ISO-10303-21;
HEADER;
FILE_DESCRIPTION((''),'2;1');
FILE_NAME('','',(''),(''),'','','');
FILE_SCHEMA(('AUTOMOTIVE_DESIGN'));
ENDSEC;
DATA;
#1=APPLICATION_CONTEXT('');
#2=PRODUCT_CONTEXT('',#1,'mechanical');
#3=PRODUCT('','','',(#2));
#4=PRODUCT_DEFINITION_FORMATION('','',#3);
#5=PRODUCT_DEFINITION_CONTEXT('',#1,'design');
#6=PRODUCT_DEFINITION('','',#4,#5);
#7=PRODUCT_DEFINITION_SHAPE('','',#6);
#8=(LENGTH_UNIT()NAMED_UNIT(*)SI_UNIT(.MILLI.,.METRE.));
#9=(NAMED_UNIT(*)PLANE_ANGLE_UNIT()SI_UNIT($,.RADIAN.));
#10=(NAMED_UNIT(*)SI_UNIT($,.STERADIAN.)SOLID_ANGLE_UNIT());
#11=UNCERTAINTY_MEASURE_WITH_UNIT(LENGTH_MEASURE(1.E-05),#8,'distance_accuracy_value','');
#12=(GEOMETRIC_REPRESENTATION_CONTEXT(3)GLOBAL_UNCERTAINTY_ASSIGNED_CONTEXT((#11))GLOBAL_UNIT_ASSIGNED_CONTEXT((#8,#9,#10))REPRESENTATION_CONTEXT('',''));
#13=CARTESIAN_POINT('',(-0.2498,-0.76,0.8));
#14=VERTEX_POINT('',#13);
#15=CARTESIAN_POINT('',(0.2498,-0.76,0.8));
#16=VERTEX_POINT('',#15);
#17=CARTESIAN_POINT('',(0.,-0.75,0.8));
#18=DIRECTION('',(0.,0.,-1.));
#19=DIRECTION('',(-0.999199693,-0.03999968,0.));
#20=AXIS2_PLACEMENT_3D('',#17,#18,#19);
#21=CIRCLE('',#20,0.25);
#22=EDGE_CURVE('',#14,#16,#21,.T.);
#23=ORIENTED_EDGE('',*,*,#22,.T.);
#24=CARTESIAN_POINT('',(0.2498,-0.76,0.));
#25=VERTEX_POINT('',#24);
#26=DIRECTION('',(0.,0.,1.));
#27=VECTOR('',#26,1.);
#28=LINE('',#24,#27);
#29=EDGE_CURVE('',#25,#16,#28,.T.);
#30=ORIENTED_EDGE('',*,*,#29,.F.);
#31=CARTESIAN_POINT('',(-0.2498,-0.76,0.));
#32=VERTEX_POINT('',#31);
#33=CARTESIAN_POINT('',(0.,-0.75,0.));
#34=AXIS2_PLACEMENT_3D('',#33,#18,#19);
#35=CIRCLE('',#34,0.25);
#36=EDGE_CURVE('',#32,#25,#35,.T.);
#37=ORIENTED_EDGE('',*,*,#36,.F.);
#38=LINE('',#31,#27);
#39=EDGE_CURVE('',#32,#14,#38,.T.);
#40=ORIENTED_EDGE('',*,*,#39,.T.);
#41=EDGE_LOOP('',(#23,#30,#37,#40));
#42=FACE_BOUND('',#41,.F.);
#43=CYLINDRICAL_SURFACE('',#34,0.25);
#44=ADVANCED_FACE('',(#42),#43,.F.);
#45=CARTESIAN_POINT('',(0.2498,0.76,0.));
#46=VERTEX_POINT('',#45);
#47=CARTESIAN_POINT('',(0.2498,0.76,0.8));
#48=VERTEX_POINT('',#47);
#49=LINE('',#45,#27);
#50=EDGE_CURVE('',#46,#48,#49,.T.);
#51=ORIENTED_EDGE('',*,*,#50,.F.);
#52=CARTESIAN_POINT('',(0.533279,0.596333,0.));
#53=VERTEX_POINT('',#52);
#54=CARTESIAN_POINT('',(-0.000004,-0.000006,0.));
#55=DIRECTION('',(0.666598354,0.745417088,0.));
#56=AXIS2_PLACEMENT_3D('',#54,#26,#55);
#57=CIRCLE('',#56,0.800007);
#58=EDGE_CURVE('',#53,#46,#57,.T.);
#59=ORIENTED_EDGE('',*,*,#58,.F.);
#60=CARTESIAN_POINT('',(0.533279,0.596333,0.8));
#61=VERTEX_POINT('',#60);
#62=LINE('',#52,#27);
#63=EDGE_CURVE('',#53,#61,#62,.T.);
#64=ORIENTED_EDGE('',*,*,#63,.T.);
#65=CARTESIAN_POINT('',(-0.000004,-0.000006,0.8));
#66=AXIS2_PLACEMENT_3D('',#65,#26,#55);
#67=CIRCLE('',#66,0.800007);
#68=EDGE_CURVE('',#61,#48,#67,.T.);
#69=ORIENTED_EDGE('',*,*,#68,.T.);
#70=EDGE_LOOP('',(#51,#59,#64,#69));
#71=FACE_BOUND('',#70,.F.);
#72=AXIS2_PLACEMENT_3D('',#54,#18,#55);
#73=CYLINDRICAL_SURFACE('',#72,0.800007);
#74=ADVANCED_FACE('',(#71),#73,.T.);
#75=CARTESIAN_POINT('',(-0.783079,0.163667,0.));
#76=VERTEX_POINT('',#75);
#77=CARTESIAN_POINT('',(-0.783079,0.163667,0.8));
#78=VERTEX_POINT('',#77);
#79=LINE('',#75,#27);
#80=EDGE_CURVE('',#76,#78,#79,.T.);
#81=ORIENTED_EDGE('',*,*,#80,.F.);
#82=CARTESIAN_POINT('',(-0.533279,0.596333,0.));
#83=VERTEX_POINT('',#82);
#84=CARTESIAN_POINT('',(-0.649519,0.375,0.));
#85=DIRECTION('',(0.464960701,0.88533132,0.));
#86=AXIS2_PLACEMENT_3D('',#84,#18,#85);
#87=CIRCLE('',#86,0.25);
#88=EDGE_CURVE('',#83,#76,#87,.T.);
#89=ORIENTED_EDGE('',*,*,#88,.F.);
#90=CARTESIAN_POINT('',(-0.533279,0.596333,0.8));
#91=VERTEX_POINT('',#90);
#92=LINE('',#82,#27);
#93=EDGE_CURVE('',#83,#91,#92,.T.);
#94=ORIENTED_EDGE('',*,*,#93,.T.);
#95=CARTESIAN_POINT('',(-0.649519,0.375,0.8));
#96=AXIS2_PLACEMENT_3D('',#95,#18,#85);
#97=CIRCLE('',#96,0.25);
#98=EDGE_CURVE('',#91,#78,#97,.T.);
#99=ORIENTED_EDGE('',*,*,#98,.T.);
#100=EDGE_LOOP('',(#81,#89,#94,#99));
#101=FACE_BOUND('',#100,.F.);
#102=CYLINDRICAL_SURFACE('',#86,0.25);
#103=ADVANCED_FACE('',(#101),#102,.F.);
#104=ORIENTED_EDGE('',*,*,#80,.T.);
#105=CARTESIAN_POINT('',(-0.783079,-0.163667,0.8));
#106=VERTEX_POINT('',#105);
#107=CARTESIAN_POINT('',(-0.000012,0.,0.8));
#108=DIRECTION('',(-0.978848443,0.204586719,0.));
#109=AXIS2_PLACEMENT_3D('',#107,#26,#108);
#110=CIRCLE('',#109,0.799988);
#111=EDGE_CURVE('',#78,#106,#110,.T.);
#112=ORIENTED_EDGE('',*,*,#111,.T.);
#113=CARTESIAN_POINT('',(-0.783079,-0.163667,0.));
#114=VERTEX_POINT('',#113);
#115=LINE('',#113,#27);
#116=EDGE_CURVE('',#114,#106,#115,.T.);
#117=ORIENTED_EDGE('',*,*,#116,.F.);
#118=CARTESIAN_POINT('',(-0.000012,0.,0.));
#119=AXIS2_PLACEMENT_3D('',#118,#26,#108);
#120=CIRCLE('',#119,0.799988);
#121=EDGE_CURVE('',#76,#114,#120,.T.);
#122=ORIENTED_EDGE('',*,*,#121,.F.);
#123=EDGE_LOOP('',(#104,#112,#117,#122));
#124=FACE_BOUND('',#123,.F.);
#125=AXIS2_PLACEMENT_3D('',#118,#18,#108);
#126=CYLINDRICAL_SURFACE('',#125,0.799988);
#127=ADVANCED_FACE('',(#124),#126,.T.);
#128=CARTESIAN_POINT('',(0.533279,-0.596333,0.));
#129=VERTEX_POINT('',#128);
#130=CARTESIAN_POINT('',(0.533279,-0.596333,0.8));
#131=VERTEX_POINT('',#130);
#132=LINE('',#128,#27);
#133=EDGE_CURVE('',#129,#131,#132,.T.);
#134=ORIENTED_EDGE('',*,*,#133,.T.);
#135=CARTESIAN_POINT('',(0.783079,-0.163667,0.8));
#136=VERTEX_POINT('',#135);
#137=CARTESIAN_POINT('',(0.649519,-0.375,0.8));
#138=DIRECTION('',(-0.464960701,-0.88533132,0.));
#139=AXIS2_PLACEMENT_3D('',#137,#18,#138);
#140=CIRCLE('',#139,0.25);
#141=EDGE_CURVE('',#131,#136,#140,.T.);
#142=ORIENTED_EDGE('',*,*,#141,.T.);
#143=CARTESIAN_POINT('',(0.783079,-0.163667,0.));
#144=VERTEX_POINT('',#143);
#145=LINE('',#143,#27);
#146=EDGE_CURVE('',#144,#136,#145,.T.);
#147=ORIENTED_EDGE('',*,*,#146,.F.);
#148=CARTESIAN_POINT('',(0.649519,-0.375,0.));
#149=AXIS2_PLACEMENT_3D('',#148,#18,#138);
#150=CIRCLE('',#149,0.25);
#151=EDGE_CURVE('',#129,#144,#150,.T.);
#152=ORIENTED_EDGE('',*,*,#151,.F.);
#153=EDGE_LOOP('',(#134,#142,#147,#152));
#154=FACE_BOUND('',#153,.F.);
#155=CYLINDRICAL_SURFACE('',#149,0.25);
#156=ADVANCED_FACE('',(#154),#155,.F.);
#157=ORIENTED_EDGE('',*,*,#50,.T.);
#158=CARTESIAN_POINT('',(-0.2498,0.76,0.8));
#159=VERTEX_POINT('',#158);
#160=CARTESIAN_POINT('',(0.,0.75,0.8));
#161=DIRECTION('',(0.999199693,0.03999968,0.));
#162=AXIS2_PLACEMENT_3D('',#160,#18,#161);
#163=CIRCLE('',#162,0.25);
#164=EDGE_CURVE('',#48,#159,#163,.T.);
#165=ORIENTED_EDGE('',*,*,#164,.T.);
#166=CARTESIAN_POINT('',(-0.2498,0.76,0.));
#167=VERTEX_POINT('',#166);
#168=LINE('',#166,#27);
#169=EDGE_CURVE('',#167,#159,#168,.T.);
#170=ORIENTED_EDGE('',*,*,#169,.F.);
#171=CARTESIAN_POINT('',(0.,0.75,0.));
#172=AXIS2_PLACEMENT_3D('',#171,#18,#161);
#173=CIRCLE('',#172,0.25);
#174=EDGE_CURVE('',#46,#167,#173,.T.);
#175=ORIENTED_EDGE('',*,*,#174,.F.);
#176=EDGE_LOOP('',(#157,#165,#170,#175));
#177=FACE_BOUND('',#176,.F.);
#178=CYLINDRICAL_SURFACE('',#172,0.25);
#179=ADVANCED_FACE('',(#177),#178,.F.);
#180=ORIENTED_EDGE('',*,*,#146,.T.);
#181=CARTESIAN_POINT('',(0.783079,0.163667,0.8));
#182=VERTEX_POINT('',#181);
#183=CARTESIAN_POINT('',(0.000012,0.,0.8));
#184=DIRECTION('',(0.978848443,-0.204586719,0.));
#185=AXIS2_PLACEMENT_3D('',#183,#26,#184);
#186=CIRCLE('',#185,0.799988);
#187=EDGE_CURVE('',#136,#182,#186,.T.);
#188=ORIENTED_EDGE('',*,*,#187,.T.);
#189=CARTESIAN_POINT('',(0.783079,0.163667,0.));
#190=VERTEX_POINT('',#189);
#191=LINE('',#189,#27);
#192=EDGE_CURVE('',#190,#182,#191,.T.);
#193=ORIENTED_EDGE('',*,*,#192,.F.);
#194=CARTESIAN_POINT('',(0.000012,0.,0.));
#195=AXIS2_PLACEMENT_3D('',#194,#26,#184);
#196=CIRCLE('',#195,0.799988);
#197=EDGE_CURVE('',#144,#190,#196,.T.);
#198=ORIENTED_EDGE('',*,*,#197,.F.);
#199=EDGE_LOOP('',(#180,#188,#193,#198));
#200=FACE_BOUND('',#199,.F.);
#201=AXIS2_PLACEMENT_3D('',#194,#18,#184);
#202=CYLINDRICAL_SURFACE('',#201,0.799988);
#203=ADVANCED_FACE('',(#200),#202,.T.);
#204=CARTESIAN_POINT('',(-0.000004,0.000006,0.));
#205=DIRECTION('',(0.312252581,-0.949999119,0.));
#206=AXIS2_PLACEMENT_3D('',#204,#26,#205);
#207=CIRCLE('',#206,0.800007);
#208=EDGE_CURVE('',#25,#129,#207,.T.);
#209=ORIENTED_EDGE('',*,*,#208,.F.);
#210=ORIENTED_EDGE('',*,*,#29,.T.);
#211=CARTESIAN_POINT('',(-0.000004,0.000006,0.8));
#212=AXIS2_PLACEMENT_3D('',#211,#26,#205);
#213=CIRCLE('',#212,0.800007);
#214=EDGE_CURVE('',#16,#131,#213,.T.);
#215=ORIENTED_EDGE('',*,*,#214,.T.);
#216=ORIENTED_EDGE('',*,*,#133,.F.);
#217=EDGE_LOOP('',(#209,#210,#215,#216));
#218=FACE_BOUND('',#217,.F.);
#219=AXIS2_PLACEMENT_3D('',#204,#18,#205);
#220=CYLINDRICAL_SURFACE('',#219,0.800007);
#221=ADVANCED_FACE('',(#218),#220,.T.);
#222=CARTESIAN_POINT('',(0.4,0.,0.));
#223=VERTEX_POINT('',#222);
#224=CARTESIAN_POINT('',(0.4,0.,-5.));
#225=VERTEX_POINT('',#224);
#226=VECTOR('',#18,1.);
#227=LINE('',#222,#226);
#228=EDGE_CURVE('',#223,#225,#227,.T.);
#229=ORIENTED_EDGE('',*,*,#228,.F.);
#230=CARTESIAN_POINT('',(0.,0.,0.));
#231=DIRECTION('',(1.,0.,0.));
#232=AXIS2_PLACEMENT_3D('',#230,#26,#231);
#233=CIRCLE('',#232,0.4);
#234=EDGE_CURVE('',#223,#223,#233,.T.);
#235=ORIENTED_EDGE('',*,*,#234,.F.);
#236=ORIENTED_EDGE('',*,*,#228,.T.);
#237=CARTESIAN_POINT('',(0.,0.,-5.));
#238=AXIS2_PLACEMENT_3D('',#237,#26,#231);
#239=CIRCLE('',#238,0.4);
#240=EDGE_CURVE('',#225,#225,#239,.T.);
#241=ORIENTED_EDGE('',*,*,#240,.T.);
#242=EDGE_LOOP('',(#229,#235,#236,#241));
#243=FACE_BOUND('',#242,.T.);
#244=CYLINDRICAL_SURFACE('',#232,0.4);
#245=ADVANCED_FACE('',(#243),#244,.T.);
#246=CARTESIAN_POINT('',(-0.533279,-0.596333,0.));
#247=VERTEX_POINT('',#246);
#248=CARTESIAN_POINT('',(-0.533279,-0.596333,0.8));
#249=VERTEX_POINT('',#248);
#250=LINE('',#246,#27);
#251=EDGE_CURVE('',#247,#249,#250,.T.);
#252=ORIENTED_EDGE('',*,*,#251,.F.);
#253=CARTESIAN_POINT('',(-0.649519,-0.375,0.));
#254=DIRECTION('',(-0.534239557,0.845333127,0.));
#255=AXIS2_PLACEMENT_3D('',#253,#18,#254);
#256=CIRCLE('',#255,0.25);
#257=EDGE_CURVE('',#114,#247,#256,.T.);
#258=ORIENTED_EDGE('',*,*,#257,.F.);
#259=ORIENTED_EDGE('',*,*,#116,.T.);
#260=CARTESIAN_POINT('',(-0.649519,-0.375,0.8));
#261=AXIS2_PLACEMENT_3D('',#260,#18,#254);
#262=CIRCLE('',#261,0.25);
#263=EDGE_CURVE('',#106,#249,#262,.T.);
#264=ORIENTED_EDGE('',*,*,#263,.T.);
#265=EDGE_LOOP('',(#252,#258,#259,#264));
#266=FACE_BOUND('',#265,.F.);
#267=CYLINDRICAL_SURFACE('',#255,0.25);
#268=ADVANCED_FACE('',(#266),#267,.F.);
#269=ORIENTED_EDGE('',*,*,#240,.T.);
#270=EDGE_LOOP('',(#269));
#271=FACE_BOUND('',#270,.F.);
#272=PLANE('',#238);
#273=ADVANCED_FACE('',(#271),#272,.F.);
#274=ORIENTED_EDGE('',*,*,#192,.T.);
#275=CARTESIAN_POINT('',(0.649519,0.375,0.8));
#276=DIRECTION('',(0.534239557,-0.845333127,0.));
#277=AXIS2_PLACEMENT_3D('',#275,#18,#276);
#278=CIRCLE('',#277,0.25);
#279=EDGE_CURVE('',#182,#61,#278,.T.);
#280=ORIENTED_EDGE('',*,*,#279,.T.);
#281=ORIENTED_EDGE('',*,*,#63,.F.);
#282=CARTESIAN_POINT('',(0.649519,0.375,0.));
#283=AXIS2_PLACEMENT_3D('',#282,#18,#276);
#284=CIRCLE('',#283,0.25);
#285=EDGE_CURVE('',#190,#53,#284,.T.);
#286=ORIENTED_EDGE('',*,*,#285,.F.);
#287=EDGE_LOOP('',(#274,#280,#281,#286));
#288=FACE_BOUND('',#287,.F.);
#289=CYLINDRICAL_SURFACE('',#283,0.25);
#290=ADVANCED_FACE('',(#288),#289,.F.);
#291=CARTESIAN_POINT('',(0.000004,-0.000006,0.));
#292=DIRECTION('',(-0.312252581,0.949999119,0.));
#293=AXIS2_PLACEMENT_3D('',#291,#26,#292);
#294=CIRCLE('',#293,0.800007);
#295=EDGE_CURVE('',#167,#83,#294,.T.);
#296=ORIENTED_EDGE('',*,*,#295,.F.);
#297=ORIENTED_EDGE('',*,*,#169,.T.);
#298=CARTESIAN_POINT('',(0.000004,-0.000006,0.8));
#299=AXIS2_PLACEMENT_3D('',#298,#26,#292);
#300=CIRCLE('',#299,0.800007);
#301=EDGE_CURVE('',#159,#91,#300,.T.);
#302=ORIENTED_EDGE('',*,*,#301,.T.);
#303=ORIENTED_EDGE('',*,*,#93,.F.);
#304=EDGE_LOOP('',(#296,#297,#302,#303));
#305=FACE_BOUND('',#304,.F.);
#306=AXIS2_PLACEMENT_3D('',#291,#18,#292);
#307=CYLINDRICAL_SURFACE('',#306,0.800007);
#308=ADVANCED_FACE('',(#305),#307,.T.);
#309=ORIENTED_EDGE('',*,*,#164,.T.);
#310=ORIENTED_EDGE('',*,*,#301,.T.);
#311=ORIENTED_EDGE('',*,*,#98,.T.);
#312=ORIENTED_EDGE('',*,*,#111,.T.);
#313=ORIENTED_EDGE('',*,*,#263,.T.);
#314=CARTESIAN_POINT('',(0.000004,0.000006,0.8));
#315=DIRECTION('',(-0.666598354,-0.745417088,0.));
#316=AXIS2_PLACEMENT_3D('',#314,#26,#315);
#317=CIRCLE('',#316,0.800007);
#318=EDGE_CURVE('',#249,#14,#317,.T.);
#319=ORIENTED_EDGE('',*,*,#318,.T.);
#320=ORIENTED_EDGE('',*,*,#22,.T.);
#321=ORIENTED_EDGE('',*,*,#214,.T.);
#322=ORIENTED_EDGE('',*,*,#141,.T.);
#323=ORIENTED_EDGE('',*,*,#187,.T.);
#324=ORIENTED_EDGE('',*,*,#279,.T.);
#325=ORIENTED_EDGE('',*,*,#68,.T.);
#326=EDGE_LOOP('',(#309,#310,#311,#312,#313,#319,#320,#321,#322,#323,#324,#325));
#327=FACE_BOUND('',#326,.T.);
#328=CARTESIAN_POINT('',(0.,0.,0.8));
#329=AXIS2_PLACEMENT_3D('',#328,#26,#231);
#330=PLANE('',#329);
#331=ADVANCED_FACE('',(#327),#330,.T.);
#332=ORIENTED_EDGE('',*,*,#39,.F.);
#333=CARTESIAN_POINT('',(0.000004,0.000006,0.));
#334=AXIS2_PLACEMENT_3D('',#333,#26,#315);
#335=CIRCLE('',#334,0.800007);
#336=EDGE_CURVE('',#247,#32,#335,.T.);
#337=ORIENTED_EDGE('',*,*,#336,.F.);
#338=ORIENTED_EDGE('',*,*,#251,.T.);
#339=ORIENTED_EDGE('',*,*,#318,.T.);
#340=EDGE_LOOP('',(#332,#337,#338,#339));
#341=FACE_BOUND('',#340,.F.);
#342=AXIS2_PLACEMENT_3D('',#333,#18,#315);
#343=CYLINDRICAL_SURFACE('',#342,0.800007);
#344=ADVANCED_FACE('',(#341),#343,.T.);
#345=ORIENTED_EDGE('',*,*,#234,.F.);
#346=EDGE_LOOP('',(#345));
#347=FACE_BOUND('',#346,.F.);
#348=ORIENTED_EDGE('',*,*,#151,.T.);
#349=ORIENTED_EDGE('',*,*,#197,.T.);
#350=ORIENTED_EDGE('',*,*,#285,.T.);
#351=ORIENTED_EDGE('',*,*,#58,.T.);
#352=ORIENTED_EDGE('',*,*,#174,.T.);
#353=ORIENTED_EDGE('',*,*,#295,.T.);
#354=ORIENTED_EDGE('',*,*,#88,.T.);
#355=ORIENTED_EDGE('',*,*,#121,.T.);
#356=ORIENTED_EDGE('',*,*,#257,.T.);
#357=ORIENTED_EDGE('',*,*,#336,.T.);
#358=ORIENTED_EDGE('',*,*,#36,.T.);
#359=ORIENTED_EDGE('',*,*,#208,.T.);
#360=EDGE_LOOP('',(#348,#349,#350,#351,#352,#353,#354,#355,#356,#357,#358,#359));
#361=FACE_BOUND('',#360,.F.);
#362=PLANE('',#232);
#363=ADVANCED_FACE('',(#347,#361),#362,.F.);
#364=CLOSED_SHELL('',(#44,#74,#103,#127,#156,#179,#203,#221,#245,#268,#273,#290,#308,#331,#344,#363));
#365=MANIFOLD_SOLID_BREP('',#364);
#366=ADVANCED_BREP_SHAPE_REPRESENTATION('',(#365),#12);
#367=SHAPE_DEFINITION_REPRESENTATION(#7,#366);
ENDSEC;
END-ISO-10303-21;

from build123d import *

# Parameters (mm, degrees)
F1_DEPTH = 0.8
F2_R     = 0.4
F3_DEPTH = 5


with BuildPart() as f1:
    # F0 (on Top) → F1 (new body)
    with BuildSketch(Plane.XY):
        with BuildLine():
            ThreePointArc((0.2498, 0.76), (0, 0.5), (-0.2498, 0.76))
            ThreePointArc((-0.2498, 0.76), (-0.4, 0.69282), (-0.533279, 0.596333))
            ThreePointArc((-0.533279, 0.596333), (-0.433013, 0.25), (-0.783079, 0.163667))
            ThreePointArc((-0.783079, 0.163667), (-0.8, 0), (-0.783079, -0.163667))
            ThreePointArc((-0.783079, -0.163667), (-0.433013, -0.25), (-0.533279, -0.596333))
            ThreePointArc((-0.533279, -0.596333), (-0.4, -0.69282), (-0.2498, -0.76))
            ThreePointArc((-0.2498, -0.76), (0, -0.5), (0.2498, -0.76))
            ThreePointArc((0.2498, -0.76), (0.4, -0.69282), (0.533279, -0.596333))
            ThreePointArc((0.533279, -0.596333), (0.433013, -0.25), (0.783079, -0.163667))
            ThreePointArc((0.783079, -0.163667), (0.8, 0), (0.783079, 0.163667))
            ThreePointArc((0.783079, 0.163667), (0.433013, 0.25), (0.533279, 0.596333))
            ThreePointArc((0.533279, 0.596333), (0.4, 0.69282), (0.2498, 0.76))
        make_face()
    extrude(amount=F1_DEPTH)

    # F2 (on Top) → F3 (join)
    with BuildSketch(Plane.XY):
        Circle(F2_R)
    extrude(amount=-F3_DEPTH)


solid = f1.part
